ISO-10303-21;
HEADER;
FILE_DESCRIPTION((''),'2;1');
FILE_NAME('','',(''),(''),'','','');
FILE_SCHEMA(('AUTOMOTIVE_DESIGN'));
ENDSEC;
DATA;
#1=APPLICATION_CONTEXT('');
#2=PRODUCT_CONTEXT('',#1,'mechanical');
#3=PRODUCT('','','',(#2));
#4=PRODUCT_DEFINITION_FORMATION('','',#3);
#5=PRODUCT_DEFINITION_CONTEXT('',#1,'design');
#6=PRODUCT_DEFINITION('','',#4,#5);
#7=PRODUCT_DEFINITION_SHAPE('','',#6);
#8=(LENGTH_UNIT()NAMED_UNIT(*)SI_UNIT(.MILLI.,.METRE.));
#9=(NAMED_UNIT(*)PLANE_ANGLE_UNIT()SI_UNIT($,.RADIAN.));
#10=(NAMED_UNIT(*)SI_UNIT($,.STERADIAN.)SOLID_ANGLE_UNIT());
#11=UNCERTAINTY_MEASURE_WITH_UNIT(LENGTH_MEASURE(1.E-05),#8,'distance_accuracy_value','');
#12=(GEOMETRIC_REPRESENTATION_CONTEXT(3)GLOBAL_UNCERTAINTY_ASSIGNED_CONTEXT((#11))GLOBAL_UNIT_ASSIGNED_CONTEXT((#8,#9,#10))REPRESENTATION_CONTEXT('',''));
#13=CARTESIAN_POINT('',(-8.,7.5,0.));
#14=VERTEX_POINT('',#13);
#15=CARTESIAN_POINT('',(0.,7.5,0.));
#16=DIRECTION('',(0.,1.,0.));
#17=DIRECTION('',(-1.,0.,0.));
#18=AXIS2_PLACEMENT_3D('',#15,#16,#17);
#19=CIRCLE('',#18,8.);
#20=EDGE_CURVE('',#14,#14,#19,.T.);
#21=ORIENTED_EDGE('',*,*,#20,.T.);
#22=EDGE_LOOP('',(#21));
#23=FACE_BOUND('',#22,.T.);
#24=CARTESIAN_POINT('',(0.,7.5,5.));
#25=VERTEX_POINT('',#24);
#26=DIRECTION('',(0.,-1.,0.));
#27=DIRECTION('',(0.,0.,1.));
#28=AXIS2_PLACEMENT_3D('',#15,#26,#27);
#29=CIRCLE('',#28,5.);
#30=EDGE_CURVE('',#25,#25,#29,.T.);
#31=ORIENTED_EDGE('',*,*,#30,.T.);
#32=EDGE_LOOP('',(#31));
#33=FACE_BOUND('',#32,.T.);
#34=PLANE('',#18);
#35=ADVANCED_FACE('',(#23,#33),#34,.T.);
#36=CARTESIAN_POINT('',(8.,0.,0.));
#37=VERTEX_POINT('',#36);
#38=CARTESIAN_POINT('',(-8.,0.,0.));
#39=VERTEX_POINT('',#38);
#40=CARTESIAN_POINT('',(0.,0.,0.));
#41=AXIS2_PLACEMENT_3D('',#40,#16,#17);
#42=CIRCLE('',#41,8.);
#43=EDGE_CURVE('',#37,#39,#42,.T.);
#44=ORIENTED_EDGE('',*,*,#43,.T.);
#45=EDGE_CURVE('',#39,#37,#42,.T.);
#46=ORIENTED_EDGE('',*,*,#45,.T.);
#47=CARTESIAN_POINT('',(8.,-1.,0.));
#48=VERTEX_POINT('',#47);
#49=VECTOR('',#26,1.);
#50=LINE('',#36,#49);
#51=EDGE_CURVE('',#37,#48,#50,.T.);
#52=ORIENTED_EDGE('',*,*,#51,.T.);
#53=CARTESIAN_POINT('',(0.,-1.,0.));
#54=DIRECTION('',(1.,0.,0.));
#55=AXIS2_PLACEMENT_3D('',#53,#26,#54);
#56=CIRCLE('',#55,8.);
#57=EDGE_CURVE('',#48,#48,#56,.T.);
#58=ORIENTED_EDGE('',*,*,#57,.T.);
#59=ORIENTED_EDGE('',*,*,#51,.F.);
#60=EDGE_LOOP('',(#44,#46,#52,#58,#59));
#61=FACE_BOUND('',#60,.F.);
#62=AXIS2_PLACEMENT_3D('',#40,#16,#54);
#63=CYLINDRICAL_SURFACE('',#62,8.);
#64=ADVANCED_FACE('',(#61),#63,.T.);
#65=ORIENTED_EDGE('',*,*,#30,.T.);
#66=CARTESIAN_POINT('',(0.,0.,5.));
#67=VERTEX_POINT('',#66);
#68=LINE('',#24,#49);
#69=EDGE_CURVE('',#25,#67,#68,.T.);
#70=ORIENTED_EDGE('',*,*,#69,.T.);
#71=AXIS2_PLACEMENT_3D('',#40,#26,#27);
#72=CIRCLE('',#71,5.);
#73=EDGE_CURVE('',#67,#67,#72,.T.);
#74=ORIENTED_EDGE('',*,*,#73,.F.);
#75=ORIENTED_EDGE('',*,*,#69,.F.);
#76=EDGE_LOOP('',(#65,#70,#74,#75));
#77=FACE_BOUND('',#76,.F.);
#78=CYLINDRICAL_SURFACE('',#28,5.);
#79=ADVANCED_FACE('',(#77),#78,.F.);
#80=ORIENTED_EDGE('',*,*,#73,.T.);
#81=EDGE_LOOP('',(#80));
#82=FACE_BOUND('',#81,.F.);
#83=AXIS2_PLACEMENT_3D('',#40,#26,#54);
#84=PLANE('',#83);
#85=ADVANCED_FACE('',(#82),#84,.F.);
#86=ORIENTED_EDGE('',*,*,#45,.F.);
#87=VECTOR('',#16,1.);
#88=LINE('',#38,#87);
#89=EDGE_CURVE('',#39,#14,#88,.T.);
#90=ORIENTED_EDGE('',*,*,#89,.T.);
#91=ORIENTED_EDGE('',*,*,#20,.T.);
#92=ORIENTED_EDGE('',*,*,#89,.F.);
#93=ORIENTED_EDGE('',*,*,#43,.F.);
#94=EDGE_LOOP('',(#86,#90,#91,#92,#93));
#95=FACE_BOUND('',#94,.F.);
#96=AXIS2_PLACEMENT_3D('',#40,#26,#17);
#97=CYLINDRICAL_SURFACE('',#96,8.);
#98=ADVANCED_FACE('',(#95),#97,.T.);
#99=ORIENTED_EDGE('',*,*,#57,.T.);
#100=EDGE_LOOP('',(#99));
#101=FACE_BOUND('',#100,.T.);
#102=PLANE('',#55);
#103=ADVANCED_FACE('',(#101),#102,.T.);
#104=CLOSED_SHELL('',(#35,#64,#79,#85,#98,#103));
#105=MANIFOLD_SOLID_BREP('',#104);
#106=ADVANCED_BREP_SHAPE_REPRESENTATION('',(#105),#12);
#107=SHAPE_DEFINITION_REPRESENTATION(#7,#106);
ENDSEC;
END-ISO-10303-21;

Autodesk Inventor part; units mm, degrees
ref_plane "YZ Plane" through (0, 0, 0) normal (1, 0, 0) x (0, 1, 0)
ref_plane "XZ Plane" through (0, 0, 0) normal (0, 1, 0) x (-1, 0, 0)
ref_plane "XY Plane" through (0, 0, 0) normal (0, 0, 1) x (1, 0, 0)
sketch "Sketch1" plane through (0, 0, 0) normal (0, 1, 0) x (-1, 0, 0)
  circle A0 centre (0, 0) radius 8
  dimension "d0" = 16
extrude "Extrusion1" add sketch "Sketch1" along normal blind 7.5
sketch "Sketch2" plane through (0, 7.5, 0) normal (0, 1, 0) x (1, 0, 0)
  circle A0 centre (0, 0) radius 8 projected
  line L0 (8, 0) -> (-8, 0)
  line L1 (0, -8) -> (0, 8)
hole "Hole1" at (0, 7.5, 0) direction (0, -1, 0) diameter 10 end through all
sketch "Sketch3" plane through (0, 0, 0) normal (0, -1, 0) x (1, 0, 0)
  circle A0 centre (0, 0) radius 8
extrude "Extrusion2" add sketch "Sketch3" along normal blind 1
properties part number "Drukhulse"
